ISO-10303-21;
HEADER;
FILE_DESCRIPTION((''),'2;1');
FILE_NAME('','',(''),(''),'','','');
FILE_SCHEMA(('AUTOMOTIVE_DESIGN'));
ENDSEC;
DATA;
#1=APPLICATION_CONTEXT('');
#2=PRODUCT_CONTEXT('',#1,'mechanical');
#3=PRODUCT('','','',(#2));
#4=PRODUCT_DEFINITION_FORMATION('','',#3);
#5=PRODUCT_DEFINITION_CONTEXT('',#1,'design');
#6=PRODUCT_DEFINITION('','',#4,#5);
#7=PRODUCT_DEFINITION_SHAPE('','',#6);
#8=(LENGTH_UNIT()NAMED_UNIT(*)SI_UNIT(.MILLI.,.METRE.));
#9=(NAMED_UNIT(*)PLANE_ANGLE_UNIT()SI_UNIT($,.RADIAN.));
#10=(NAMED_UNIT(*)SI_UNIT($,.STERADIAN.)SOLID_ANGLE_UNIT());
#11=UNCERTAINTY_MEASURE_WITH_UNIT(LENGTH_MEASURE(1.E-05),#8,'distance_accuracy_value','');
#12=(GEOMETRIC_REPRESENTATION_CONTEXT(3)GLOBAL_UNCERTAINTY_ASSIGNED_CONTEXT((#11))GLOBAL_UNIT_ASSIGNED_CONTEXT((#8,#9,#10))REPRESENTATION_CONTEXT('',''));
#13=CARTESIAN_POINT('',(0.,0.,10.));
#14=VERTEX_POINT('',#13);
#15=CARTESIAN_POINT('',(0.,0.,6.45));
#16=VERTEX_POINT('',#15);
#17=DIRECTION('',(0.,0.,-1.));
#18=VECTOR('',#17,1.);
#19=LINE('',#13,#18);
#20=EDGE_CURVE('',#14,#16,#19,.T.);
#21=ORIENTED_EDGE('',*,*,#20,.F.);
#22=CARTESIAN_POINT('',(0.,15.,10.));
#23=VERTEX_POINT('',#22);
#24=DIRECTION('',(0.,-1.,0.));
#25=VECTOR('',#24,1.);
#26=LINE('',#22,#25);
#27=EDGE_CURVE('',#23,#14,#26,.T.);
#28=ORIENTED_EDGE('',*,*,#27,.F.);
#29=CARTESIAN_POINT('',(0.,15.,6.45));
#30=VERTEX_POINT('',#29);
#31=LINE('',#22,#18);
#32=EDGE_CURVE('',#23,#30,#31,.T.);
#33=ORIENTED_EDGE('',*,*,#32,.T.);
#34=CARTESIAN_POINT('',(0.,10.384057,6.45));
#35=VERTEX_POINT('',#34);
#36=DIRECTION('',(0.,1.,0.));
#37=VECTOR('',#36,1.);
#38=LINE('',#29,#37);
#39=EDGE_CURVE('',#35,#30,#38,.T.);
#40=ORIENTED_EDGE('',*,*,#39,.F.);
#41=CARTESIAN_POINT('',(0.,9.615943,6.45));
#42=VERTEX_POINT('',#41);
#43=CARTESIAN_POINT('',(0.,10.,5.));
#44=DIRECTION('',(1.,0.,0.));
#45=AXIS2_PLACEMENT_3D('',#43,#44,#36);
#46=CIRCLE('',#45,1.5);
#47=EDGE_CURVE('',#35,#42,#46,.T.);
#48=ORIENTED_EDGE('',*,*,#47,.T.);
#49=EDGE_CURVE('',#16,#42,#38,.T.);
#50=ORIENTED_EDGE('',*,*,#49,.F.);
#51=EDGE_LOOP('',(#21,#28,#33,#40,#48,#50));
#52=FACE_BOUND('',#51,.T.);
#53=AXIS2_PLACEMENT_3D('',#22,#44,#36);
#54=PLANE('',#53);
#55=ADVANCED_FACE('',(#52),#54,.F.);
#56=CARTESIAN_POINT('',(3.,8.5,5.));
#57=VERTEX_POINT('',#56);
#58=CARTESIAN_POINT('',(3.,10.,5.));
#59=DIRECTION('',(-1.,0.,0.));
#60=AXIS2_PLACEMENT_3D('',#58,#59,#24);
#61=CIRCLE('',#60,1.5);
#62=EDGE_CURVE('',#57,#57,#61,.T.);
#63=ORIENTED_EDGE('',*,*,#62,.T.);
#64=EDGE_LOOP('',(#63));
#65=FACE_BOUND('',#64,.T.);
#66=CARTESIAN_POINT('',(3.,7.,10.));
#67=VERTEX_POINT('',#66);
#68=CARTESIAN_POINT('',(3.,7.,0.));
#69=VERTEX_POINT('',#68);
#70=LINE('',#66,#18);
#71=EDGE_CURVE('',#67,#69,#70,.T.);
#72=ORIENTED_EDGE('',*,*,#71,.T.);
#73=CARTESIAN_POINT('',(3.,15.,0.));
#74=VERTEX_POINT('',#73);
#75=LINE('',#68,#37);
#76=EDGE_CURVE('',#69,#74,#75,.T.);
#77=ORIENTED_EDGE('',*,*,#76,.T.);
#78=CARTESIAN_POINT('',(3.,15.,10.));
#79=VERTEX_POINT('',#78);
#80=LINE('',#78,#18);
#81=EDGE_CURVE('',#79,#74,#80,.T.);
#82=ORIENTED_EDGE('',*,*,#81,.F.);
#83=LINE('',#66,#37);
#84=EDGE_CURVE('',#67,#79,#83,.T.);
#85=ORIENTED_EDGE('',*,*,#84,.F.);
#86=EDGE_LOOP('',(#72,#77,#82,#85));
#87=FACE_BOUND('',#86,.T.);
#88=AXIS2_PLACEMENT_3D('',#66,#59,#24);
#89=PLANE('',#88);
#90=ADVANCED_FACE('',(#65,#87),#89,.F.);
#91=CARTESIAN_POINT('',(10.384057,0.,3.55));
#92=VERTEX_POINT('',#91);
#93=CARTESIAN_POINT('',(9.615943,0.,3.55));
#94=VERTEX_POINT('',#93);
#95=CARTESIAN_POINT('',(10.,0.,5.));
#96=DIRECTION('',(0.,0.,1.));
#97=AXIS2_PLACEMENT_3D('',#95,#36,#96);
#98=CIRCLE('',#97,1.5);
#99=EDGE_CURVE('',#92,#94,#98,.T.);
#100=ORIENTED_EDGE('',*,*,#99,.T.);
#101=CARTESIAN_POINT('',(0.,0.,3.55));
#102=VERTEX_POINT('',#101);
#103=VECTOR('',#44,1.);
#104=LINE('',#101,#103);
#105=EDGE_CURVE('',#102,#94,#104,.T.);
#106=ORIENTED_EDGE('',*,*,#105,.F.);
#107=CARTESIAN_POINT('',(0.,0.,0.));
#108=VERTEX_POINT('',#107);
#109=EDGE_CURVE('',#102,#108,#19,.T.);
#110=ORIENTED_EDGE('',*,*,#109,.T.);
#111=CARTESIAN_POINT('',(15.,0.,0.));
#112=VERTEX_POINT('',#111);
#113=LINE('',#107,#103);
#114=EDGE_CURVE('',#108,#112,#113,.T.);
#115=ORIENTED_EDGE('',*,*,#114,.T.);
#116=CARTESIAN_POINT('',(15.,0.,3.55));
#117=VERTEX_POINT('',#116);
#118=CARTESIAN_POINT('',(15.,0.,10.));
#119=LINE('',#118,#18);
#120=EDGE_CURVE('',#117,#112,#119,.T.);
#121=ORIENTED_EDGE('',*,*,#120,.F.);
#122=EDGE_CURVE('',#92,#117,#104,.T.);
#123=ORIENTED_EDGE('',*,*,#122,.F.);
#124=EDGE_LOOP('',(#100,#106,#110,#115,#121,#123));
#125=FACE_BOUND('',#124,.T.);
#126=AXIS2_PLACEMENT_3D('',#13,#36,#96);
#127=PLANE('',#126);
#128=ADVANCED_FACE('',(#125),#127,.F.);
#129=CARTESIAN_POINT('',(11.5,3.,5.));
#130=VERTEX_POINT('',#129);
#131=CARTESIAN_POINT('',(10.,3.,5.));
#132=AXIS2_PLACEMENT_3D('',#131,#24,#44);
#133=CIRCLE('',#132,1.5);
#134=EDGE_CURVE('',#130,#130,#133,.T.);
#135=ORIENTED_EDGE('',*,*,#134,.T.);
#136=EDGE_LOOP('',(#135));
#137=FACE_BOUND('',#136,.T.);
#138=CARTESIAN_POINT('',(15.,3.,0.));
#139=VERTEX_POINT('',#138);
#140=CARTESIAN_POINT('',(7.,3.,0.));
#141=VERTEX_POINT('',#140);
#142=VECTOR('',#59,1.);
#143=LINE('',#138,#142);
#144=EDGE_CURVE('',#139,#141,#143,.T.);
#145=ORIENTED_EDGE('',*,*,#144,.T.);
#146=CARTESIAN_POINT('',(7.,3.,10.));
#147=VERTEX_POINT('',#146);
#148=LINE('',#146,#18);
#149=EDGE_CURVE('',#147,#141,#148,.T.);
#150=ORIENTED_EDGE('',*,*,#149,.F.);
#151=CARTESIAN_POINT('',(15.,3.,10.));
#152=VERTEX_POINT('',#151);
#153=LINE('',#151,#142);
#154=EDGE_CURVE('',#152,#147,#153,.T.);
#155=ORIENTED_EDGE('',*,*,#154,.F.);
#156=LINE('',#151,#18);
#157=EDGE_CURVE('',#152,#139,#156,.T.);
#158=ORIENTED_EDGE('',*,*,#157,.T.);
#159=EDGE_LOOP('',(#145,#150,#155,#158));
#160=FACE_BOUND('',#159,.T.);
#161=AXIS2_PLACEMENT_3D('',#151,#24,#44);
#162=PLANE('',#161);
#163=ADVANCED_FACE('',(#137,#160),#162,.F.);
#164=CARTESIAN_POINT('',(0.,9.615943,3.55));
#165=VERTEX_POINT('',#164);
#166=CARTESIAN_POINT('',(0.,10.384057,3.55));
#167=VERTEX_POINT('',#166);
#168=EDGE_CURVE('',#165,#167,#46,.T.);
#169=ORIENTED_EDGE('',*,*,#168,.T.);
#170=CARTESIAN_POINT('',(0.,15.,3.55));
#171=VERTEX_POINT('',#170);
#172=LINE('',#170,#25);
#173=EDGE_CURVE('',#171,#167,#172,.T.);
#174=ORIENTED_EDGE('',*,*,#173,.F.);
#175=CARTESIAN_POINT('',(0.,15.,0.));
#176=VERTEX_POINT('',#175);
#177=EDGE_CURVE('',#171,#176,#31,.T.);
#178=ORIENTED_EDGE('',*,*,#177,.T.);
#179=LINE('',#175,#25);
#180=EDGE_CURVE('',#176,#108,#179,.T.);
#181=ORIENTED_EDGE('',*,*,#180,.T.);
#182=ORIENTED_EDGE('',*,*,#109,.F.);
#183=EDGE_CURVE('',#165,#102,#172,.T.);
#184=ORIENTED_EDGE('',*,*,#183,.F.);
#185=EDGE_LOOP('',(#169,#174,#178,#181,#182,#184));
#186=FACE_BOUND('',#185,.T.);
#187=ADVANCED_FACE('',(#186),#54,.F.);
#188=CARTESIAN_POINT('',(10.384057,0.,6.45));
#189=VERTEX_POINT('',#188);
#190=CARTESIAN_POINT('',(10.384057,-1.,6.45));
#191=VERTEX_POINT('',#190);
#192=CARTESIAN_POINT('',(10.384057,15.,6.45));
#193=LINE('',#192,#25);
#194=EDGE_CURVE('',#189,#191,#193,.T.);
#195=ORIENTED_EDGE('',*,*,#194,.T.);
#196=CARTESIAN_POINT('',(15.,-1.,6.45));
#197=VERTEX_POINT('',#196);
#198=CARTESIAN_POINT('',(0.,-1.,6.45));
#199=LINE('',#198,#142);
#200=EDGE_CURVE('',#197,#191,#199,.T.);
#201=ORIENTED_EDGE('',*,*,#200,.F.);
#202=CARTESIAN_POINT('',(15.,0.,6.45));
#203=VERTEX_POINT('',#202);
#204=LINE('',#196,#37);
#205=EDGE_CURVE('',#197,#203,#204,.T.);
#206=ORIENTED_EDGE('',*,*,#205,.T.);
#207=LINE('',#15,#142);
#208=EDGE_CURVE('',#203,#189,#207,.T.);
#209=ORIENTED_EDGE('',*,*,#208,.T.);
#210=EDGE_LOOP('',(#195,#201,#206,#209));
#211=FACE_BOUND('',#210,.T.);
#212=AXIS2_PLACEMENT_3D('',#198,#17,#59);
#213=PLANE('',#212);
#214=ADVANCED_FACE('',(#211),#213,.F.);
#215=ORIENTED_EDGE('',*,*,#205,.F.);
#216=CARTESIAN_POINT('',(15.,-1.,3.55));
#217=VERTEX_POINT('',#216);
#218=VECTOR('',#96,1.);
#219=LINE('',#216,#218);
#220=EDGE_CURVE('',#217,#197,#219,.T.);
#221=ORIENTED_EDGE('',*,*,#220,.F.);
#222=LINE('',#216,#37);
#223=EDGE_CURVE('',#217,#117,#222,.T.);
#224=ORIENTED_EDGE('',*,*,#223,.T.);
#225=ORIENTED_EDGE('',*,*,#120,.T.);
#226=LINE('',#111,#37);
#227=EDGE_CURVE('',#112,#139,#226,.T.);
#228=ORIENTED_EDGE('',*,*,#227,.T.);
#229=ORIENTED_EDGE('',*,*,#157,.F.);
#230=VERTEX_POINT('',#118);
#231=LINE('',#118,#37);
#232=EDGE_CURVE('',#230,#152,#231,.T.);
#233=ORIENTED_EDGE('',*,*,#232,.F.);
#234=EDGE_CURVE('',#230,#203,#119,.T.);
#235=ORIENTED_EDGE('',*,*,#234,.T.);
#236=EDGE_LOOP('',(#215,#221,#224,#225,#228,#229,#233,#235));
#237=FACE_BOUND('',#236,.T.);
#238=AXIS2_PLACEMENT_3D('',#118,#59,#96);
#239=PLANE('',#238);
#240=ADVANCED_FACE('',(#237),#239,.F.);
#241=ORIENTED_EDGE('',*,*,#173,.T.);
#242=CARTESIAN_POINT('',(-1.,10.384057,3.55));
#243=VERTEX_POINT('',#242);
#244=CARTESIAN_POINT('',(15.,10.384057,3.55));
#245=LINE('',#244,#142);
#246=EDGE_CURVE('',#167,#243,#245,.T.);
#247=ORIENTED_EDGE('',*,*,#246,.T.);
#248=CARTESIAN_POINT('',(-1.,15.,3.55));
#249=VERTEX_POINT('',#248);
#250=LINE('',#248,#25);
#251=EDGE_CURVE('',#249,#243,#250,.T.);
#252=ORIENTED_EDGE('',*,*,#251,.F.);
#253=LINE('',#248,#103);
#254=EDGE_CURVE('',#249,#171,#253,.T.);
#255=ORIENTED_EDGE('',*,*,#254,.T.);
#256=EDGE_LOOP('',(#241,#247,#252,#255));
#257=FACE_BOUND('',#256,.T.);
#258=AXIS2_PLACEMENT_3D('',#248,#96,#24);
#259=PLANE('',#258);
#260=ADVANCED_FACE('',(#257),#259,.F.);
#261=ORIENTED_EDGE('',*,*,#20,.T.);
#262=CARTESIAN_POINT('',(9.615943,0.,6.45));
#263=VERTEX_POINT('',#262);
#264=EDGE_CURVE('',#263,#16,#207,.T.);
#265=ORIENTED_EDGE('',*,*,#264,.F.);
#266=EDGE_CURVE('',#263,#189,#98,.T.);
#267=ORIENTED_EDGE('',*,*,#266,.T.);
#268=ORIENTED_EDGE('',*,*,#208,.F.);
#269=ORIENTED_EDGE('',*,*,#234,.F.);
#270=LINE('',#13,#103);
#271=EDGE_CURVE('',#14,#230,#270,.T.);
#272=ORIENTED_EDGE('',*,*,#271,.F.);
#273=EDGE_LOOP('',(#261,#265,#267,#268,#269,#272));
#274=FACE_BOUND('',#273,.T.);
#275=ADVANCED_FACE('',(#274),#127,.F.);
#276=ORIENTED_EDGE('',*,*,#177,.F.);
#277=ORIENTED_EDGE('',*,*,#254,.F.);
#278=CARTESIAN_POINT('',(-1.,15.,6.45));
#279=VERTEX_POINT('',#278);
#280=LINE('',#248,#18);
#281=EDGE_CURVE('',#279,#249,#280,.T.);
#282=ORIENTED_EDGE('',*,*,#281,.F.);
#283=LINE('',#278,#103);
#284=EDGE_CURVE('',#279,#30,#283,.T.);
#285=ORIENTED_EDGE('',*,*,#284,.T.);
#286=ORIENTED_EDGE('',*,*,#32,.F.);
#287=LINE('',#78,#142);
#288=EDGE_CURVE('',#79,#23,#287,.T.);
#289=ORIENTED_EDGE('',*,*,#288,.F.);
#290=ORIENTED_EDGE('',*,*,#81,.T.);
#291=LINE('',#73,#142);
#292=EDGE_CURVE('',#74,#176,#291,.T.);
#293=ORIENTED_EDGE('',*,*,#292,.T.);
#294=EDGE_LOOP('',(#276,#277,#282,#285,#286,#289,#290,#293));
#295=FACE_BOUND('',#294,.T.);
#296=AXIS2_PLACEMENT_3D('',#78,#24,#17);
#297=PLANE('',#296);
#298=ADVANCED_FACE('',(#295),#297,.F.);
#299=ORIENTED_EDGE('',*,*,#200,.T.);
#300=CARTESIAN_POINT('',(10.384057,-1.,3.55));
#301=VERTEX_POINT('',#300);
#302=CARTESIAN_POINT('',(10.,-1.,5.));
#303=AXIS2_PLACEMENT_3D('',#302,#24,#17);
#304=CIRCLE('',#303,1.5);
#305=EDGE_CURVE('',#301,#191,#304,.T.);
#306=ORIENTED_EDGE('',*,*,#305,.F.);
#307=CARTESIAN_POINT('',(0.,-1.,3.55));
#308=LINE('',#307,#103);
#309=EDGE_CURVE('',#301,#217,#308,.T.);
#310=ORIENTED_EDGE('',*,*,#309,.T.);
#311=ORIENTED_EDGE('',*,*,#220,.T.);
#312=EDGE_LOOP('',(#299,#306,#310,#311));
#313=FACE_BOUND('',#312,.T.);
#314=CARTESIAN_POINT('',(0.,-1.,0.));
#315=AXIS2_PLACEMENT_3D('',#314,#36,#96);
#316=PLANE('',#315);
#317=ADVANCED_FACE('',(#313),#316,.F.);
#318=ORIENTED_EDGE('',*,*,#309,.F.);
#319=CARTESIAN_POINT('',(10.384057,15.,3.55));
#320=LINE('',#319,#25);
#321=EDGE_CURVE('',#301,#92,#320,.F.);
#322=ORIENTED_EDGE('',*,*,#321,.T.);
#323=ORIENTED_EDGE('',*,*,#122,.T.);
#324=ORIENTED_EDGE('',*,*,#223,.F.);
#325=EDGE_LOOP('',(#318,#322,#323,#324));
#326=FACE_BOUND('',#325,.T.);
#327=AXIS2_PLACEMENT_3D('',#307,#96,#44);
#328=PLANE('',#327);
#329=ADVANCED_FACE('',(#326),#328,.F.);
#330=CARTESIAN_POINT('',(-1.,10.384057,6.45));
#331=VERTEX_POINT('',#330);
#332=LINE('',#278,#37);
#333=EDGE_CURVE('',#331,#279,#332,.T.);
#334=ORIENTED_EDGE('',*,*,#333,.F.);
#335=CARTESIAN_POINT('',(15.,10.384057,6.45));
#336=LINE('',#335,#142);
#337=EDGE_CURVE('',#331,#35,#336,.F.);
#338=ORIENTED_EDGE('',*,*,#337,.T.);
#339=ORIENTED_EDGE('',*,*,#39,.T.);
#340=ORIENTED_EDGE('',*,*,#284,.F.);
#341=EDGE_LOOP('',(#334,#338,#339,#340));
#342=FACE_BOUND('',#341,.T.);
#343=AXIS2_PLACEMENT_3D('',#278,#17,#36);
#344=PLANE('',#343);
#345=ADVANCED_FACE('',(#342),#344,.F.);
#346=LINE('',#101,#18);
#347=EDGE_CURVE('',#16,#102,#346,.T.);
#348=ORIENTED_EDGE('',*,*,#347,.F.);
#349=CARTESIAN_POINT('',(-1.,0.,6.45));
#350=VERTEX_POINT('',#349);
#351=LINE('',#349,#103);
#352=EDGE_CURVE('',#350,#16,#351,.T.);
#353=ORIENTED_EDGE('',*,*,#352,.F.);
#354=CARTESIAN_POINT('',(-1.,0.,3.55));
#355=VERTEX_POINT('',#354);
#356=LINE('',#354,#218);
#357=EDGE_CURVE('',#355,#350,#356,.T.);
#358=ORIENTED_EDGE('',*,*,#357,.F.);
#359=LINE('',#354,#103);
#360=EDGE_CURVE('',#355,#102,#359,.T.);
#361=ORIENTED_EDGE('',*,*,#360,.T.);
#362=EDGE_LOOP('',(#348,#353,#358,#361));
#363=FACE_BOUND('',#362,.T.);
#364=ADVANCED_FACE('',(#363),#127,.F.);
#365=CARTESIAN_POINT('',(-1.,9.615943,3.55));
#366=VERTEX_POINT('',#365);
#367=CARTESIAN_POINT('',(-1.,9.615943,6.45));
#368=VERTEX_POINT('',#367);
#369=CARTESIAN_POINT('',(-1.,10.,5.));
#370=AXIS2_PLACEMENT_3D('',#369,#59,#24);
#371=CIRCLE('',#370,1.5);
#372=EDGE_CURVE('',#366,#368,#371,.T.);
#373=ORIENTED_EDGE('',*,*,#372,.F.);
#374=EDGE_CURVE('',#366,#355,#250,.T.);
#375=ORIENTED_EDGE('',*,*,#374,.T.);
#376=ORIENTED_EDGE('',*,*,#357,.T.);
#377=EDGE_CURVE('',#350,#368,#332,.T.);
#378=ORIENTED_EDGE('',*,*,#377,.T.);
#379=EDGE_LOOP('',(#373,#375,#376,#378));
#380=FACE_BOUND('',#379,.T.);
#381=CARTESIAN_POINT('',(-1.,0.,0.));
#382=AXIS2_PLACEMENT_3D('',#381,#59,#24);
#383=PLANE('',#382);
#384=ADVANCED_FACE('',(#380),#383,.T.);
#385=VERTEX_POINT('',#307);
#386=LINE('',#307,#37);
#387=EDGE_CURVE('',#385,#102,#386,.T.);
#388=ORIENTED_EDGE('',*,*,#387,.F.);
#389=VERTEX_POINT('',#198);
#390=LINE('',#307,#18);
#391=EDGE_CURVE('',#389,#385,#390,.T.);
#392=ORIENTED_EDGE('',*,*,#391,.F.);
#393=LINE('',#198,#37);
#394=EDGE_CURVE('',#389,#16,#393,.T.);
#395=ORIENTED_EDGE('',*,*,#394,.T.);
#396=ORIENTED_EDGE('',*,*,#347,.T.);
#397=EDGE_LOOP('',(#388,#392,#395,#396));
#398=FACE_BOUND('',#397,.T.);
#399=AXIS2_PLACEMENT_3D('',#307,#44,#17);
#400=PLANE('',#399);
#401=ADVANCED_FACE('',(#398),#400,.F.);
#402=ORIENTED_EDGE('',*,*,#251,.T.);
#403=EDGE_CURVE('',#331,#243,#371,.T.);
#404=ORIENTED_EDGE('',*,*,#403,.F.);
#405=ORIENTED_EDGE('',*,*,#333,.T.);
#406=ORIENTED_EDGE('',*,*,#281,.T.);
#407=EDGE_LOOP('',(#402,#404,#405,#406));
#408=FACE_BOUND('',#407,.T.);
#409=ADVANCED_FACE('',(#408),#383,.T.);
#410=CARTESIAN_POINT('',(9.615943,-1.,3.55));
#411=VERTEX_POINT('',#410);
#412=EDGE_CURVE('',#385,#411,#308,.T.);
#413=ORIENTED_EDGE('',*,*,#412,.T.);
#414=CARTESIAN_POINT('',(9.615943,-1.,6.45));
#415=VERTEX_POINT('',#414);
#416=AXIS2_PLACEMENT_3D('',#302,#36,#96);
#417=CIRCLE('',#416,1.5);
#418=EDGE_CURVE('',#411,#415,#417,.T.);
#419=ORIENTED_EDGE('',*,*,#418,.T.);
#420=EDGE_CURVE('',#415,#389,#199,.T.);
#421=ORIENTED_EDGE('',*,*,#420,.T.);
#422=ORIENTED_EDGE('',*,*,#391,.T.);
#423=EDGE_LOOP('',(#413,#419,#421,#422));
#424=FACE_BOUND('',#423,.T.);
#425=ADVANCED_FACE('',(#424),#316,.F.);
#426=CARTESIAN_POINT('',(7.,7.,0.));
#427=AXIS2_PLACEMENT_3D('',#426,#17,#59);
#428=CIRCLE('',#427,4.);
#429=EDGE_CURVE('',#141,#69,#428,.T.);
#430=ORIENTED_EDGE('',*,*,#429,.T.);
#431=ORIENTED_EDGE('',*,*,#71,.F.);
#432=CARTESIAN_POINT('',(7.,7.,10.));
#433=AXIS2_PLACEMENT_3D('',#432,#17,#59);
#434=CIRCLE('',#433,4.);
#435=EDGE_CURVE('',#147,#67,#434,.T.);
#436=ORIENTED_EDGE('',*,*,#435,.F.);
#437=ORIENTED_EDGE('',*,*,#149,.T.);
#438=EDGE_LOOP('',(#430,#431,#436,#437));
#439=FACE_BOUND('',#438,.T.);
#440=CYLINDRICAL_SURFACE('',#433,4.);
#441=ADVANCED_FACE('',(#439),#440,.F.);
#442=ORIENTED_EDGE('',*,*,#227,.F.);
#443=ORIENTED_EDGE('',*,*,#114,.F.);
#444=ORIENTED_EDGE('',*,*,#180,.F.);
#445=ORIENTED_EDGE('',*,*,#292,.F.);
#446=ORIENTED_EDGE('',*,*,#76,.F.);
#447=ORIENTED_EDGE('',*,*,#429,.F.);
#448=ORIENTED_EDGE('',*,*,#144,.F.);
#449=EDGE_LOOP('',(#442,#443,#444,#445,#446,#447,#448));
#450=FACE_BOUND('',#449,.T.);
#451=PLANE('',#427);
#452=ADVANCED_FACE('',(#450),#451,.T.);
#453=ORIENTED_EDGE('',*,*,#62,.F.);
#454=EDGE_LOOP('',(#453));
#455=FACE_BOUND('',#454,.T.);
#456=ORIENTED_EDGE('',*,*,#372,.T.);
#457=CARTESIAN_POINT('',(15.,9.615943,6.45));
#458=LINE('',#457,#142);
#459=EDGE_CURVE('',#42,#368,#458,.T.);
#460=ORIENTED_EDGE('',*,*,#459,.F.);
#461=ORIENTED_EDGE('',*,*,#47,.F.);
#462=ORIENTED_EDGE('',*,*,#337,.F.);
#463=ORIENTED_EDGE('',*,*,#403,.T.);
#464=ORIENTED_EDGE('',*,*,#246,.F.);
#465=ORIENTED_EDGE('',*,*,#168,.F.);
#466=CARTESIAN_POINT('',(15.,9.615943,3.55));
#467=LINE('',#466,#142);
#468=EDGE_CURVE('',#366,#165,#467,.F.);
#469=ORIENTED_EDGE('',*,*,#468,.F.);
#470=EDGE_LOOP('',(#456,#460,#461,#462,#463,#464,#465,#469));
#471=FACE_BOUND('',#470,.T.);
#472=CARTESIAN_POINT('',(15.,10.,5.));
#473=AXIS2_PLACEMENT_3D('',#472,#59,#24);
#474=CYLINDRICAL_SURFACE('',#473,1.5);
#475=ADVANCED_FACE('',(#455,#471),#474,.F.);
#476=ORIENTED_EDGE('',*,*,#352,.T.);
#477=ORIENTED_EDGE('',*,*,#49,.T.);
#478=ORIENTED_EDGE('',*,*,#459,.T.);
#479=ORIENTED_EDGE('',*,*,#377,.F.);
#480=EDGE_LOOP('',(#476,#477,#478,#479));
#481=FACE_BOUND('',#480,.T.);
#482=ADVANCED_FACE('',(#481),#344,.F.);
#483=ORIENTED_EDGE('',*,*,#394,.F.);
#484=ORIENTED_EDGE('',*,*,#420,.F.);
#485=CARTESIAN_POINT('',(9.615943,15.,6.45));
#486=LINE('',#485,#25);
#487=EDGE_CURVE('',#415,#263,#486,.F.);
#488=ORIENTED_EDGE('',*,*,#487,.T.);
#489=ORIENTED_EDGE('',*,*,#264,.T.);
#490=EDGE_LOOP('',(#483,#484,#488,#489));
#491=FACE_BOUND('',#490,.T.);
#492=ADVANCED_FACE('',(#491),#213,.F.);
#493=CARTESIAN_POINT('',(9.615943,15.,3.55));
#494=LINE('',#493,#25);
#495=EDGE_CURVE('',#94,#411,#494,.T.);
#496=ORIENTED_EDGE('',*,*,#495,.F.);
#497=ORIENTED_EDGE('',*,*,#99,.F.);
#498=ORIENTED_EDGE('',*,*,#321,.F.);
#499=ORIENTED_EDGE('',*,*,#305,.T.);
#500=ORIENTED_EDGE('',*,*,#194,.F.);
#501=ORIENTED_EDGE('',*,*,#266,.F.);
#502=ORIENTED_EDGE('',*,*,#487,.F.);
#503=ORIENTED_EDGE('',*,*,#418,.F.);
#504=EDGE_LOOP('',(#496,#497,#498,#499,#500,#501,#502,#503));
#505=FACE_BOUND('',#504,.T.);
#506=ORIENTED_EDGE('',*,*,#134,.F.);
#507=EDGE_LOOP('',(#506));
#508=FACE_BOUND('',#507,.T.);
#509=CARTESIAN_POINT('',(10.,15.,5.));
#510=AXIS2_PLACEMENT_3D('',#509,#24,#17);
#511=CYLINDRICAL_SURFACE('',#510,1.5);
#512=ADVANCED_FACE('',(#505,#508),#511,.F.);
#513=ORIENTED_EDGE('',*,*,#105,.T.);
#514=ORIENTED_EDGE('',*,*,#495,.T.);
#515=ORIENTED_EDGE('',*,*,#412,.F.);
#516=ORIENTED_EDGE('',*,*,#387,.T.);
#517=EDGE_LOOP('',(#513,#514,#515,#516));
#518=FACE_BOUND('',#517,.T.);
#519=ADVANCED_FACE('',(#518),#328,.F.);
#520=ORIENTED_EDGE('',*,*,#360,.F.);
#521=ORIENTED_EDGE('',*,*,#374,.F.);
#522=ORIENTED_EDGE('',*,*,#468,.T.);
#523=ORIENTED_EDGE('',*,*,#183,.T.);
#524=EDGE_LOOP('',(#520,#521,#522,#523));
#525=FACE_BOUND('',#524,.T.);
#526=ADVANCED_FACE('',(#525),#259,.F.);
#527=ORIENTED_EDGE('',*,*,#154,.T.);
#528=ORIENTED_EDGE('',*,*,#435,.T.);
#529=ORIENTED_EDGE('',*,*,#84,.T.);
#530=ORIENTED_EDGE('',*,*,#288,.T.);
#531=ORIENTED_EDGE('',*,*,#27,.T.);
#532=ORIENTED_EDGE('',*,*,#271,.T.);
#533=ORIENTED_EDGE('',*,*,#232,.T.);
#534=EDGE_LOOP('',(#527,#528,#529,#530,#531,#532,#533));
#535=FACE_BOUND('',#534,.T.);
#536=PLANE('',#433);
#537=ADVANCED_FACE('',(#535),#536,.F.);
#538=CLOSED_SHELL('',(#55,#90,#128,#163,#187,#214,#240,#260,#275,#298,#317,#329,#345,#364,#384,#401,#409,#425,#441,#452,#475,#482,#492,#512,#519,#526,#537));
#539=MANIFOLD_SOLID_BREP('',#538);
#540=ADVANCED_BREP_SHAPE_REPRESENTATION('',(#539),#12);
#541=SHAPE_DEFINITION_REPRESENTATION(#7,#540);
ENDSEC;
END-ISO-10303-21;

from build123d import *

# Parameters (mm, degrees)
MAIN_DEPTH                         = 10
ESQUISSE4_W                        = 2.9
ESQUISSE4_H                        = 15
MAKERBEAMFIXVERTICAL_DEPTH         = 1
ESQUISSE2_R                        = 1.5
MAKERBEAMVERTICALHOLE_DEPTH        = 2
MAKERBEAMVERTICALHOLE_DEPTH_BACK   = 16
ESQUISSE5_W                        = 15
ESQUISSE5_H                        = 2.9
MAKERBEAMFIXHORIZONTAL_DEPTH       = 1
ESQUISSE3_R                        = 1.5
MAKERBEAMHORIZONTALHOLE_DEPTH      = 2
MAKERBEAMHORIZONTALHOLE_DEPTH_BACK = 16


with BuildPart() as part:
    # Esquisse1 → Main (new body)
    with BuildSketch(Plane.XY):
        with BuildLine():
            Line((0, 0), (15, 0))
            Line((15, 0), (15, 3))
            Line((15, 3), (7, 3))
            ThreePointArc((7, 3), (4.171572875, 4.171572875), (3, 7))
            Line((3, 7), (3, 15))
            Line((3, 15), (0, 15))
            Line((0, 15), (0, 0))
        make_face()
    extrude(amount=MAIN_DEPTH)

    # Esquisse4 → MakerBeamFixVertical (add)
    with BuildSketch(Plane.ZY):
        with Locations((5, 7.5)):
            Rectangle(ESQUISSE4_W, ESQUISSE4_H)
    extrude(amount=MAKERBEAMFIXVERTICAL_DEPTH)

    # Esquisse2 → MakerBeamVerticalHole (cut, two sides)
    with BuildSketch(Plane.ZY) as makerbeamverticalhole_sk:
        with Locations((5, 10)):
            Circle(ESQUISSE2_R)
    extrude(amount=MAKERBEAMVERTICALHOLE_DEPTH, mode=Mode.SUBTRACT)
    extrude(makerbeamverticalhole_sk.sketch, amount=-MAKERBEAMVERTICALHOLE_DEPTH_BACK, mode=Mode.SUBTRACT)

    # Esquisse5 → MakerBeamFixHorizontal (add)
    with BuildSketch(Plane(origin=(0, 0, 0), x_dir=(-1, 0, 0), z_dir=(0, -1, 0))):
        with Locations((-7.5, -5)):
            Rectangle(ESQUISSE5_W, ESQUISSE5_H)
    extrude(amount=MAKERBEAMFIXHORIZONTAL_DEPTH)

    # Esquisse3 → MakerBeamHorizontalHole (cut, two sides)
    with BuildSketch(Plane.XZ) as makerbeamhorizontalhole_sk:
        with Locations((10, 5)):
            Circle(ESQUISSE3_R)
    extrude(amount=MAKERBEAMHORIZONTALHOLE_DEPTH, mode=Mode.SUBTRACT)
    extrude(makerbeamhorizontalhole_sk.sketch, amount=-MAKERBEAMHORIZONTALHOLE_DEPTH_BACK, mode=Mode.SUBTRACT)


solid = part.part
